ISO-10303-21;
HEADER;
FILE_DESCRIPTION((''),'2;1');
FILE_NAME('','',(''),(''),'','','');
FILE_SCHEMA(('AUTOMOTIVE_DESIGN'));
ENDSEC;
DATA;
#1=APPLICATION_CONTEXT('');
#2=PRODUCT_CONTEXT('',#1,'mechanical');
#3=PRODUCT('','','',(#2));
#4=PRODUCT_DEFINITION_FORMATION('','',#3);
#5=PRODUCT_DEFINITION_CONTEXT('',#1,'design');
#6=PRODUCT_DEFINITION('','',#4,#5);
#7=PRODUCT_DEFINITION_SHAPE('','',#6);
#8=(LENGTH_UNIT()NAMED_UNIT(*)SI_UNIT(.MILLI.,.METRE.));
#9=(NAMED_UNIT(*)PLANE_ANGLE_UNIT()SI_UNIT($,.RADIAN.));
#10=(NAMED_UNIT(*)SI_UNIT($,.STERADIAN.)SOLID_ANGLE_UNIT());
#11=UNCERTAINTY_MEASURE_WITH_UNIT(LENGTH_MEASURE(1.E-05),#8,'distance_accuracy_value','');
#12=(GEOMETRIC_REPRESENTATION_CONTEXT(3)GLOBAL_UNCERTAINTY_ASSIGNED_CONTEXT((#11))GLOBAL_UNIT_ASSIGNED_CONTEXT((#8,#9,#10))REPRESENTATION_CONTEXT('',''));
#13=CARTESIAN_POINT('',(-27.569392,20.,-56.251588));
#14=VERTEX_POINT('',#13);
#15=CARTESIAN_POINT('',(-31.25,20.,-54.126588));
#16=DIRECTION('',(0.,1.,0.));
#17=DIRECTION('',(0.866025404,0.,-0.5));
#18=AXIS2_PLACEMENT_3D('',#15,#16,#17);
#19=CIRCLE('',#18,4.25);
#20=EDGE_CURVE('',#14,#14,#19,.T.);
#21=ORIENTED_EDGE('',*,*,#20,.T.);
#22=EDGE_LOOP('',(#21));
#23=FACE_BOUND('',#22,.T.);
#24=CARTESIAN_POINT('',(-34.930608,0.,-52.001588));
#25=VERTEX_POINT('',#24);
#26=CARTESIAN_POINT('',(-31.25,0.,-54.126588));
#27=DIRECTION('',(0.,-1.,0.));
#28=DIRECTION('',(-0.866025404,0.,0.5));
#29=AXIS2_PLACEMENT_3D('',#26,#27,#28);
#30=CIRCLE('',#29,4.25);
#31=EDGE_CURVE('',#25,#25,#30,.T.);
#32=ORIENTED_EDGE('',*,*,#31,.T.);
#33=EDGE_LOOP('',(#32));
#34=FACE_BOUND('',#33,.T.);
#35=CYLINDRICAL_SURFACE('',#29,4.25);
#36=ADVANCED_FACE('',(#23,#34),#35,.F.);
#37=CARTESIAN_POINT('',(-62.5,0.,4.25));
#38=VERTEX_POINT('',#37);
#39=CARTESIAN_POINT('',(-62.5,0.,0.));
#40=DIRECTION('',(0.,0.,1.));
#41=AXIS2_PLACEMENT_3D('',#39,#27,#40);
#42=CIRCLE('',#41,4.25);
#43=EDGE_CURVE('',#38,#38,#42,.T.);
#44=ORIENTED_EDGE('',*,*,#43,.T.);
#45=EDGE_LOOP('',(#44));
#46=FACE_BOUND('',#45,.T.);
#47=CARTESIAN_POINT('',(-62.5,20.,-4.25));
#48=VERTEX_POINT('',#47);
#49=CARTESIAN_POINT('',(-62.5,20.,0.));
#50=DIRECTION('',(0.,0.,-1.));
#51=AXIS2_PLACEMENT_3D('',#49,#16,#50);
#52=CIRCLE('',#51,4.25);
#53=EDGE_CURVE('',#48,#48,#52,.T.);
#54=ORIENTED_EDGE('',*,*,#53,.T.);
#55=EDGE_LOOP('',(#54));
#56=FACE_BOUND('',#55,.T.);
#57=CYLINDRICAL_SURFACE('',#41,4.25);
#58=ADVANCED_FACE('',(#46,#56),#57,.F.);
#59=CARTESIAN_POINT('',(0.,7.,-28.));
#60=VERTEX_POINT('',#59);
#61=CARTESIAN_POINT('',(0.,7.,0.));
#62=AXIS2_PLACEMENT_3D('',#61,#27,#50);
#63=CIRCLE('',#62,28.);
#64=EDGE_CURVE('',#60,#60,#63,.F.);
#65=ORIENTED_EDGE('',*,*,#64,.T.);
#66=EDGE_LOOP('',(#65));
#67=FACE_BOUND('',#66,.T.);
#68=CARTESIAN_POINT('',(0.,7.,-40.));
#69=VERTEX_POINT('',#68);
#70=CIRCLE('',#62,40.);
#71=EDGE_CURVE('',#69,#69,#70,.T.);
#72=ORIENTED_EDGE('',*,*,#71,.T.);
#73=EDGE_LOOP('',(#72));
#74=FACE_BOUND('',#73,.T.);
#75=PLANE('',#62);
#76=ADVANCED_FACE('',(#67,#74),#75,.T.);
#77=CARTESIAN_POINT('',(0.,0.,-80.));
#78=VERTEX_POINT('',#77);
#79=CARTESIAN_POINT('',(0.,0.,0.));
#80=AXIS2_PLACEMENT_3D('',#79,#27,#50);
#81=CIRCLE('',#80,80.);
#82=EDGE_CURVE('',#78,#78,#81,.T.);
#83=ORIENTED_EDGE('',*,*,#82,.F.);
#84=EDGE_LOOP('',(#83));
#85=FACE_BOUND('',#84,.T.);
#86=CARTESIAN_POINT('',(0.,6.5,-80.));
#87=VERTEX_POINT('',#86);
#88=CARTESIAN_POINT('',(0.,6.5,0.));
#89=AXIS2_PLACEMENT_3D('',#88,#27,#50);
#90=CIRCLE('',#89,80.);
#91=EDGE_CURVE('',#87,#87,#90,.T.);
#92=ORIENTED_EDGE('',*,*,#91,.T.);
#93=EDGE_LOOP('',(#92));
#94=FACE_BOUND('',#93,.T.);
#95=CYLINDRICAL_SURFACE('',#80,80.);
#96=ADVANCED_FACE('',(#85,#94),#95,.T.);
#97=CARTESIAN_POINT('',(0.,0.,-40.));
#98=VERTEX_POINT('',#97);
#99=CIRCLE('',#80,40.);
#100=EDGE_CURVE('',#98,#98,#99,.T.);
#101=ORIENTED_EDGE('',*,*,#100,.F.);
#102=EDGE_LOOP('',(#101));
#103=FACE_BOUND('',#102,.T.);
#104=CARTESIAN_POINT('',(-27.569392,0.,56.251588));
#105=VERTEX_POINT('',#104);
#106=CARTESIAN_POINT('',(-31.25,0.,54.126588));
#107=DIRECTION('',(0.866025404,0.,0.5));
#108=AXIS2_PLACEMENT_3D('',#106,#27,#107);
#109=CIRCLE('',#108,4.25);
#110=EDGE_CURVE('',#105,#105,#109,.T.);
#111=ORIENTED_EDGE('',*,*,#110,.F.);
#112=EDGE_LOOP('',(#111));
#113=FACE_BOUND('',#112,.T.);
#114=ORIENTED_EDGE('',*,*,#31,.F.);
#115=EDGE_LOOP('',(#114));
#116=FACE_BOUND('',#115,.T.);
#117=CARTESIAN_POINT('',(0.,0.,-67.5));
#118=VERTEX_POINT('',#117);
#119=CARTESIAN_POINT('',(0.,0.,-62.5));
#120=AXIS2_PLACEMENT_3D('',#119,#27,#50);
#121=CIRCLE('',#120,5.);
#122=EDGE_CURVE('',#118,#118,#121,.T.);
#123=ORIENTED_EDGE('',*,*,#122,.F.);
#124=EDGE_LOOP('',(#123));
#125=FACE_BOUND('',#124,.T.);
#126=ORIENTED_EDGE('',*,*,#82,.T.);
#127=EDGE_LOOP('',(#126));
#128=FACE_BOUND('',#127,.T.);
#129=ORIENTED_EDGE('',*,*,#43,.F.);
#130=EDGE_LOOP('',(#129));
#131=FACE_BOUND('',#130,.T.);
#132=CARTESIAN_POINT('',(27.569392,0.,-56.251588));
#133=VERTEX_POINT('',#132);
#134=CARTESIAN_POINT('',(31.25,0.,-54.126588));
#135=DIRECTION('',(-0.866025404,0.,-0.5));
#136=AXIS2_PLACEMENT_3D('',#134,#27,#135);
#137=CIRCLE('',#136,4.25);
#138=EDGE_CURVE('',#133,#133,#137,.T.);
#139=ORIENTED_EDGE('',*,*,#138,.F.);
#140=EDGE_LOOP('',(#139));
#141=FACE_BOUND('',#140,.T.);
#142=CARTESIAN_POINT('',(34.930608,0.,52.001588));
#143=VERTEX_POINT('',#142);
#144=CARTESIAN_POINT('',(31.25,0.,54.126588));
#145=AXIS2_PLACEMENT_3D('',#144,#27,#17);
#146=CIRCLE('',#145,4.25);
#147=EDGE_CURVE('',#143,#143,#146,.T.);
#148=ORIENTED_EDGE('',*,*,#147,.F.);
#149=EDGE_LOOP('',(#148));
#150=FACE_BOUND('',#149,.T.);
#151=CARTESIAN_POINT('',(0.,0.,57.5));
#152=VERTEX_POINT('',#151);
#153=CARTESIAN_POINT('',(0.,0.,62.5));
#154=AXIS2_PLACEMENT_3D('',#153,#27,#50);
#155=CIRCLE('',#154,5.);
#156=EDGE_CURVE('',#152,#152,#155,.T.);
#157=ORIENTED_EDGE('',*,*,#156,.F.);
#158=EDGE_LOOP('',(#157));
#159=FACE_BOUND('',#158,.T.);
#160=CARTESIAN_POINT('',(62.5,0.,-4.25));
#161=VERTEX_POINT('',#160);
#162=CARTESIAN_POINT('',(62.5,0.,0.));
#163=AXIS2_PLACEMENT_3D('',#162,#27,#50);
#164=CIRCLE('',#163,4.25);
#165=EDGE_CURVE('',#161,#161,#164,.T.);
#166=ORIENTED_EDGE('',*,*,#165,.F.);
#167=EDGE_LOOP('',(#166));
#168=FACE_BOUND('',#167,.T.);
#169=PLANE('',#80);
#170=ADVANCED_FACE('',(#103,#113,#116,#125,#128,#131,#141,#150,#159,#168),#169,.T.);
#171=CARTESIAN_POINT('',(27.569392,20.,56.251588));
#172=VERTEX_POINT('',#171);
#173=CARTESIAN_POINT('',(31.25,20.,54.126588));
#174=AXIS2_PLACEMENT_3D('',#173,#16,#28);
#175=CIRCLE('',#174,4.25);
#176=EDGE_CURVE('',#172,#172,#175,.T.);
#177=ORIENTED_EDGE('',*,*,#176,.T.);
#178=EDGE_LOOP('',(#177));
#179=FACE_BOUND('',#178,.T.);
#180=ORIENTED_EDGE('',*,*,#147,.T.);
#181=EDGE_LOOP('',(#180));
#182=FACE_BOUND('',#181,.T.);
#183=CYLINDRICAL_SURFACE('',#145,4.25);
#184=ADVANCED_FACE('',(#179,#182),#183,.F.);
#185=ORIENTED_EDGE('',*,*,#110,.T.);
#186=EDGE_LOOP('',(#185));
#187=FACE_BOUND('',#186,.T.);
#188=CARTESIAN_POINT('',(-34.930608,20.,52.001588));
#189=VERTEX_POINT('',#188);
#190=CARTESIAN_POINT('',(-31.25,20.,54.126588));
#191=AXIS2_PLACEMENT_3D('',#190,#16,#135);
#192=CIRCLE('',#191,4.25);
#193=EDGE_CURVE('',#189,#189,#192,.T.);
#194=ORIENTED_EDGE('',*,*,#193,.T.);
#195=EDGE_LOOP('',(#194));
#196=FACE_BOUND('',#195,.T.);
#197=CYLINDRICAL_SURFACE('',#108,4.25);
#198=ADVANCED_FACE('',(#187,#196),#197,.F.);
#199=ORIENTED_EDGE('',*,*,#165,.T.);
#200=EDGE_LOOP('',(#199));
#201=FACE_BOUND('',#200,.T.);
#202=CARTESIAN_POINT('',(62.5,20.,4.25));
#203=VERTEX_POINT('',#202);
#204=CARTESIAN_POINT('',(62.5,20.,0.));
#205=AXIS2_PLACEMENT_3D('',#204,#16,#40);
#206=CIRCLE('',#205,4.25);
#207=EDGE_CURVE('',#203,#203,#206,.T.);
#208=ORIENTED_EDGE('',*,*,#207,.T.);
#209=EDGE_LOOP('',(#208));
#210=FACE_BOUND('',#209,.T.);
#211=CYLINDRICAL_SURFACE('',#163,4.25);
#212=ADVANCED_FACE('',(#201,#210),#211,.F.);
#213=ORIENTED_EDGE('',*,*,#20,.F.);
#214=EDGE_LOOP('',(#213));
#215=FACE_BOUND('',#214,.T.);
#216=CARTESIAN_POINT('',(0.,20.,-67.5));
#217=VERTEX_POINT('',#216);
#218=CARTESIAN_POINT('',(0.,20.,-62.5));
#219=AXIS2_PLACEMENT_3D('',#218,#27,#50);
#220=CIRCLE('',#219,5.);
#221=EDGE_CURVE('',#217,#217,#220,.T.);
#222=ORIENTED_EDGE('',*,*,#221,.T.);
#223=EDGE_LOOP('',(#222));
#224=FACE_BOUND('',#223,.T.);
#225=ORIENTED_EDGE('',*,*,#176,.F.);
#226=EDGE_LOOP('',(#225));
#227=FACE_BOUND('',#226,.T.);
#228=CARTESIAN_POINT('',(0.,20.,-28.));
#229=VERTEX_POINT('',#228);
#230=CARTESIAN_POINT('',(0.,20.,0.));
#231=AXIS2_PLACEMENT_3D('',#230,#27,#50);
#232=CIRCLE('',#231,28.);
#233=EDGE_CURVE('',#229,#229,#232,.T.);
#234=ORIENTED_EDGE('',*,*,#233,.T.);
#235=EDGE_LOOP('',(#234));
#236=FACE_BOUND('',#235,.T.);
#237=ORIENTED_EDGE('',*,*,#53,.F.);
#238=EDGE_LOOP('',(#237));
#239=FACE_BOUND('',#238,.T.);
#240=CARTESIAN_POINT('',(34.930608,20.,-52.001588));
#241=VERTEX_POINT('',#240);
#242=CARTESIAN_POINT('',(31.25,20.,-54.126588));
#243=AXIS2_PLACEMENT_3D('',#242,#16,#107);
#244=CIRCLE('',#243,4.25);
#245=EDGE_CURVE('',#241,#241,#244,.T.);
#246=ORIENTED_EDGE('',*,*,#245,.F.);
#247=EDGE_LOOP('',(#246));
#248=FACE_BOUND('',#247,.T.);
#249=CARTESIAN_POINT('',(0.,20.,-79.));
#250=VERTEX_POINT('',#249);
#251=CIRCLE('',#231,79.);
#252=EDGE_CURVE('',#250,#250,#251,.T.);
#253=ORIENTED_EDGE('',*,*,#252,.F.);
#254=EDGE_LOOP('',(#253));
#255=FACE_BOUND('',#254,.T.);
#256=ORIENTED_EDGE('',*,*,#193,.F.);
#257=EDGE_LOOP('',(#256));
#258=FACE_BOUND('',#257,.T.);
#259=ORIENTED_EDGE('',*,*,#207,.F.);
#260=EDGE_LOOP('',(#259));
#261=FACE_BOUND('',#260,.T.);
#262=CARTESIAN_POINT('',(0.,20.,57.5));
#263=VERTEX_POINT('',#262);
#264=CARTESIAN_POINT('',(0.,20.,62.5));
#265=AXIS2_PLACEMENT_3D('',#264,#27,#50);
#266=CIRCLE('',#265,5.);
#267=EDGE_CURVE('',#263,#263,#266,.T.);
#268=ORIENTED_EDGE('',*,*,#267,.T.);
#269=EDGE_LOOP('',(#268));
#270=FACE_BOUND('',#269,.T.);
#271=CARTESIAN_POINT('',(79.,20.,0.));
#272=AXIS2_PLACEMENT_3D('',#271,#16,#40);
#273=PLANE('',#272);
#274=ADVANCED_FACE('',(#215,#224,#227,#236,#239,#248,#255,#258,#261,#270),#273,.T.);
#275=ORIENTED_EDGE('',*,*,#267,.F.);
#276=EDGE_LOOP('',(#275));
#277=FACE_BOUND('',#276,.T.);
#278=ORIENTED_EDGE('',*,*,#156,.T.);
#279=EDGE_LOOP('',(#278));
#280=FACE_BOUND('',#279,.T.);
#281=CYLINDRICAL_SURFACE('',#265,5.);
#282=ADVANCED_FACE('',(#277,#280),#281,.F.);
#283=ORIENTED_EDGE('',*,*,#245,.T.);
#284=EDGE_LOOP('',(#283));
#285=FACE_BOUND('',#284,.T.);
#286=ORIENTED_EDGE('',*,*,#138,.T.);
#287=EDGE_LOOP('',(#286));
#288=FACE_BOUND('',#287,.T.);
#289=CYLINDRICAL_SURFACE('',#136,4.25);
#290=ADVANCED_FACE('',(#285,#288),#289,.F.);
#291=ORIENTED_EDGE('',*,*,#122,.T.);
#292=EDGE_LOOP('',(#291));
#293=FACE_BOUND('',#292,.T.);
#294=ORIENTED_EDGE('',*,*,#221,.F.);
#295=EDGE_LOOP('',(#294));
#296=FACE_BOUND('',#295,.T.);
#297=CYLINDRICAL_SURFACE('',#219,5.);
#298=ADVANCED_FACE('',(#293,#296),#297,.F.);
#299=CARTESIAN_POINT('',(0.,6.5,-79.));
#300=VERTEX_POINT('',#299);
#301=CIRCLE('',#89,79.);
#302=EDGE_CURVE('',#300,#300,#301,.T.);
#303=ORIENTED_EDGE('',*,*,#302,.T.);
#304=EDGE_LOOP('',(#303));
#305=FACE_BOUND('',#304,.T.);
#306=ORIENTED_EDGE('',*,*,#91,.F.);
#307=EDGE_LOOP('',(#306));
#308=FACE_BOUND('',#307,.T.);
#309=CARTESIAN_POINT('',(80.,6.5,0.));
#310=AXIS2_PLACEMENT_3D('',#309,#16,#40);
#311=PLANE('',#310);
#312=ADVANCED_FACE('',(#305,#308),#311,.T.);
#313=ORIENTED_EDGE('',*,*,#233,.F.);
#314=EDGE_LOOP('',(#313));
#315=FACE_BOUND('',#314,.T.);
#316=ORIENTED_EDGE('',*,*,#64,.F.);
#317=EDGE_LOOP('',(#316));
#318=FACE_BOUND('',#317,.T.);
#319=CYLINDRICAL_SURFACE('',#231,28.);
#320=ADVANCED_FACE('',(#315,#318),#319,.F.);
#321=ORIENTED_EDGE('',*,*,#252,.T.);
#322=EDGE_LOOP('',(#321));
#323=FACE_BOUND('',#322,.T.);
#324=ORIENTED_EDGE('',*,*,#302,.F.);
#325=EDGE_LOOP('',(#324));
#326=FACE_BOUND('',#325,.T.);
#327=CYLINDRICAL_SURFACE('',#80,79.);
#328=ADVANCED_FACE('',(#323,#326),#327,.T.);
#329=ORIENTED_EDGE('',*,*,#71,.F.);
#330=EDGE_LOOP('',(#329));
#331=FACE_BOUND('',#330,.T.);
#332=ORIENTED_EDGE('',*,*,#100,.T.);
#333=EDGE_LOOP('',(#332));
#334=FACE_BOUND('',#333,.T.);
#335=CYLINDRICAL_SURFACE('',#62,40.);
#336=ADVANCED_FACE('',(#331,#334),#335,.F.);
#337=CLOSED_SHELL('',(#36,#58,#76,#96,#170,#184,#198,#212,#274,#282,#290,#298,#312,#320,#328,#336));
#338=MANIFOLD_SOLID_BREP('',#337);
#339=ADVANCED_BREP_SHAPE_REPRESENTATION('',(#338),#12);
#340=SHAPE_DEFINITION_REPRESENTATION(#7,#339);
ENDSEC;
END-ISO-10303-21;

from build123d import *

# Parameters (mm, degrees)
SCHIZZO2_R                  = 28
TAGLIO_ESTRUSIONE1_DEPTH    = 21
RIPETIZIONECIRCOLARE1_COUNT = 6
SCHIZZO5_R                  = 5
TAGLIO_ESTRUSIONE2_DEPTH    = 21
SCHIZZO6_R                  = 40
TAGLIO_ESTRUSIONE3_DEPTH    = 7


with BuildPart() as part:
    # Schizzo1 → Rivoluzione1 (revolve)
    with BuildSketch(Plane.XY):
        Polygon((0, 0), (80, 0), (80, 6.5), (79, 6.5), (79, 20), (0, 20), align=None)
    revolve(axis=Axis((0, 0, 0), (0, 1, 0)))

    # Schizzo2 → Taglio-Estrusione1 (cut, through all)
    with BuildSketch(Plane.XZ):
        Circle(SCHIZZO2_R)
    extrude(amount=-TAGLIO_ESTRUSIONE1_DEPTH, mode=Mode.SUBTRACT)

    # Schizzo3 → M10 Foro filettato profondo1 (revolve, cut)
    with BuildSketch(Plane(origin=(62.5, 0, 0), x_dir=(0, 0, -1), z_dir=(1, 0, 0))):
        Polygon((0, 0), (0, 27.553657631), (4.25, 25), (4.25, 0), align=None)
    m10_foro_filettato_profondo1 = revolve(axis=Axis((62.5, -6.35, 0), (0, 1, 0)), mode=Mode.SUBTRACT)

    # RipetizioneCircolare1: M10 Foro filettato profondo1 ×6 about axis
    ripetizionecircolare1_axis = Axis((0, 0, 0), (0, 1, 0))
    for i in range(1, RIPETIZIONECIRCOLARE1_COUNT):
        add(m10_foro_filettato_profondo1.rotate(ripetizionecircolare1_axis, i * 360 / RIPETIZIONECIRCOLARE1_COUNT), mode=Mode.SUBTRACT)

    # Schizzo5 → Taglio-Estrusione2 (cut, through all)
    with BuildSketch(Plane.XZ):
        with Locations((0, 62.5)):
            Circle(SCHIZZO5_R)
        with Locations((0, -62.5)):
            Circle(SCHIZZO5_R)
    extrude(amount=-TAGLIO_ESTRUSIONE2_DEPTH, mode=Mode.SUBTRACT)

    # Schizzo6 → Taglio-Estrusione3 (cut)
    with BuildSketch(Plane.XZ):
        Circle(SCHIZZO6_R)
    extrude(amount=-TAGLIO_ESTRUSIONE3_DEPTH, mode=Mode.SUBTRACT)


solid = part.part
